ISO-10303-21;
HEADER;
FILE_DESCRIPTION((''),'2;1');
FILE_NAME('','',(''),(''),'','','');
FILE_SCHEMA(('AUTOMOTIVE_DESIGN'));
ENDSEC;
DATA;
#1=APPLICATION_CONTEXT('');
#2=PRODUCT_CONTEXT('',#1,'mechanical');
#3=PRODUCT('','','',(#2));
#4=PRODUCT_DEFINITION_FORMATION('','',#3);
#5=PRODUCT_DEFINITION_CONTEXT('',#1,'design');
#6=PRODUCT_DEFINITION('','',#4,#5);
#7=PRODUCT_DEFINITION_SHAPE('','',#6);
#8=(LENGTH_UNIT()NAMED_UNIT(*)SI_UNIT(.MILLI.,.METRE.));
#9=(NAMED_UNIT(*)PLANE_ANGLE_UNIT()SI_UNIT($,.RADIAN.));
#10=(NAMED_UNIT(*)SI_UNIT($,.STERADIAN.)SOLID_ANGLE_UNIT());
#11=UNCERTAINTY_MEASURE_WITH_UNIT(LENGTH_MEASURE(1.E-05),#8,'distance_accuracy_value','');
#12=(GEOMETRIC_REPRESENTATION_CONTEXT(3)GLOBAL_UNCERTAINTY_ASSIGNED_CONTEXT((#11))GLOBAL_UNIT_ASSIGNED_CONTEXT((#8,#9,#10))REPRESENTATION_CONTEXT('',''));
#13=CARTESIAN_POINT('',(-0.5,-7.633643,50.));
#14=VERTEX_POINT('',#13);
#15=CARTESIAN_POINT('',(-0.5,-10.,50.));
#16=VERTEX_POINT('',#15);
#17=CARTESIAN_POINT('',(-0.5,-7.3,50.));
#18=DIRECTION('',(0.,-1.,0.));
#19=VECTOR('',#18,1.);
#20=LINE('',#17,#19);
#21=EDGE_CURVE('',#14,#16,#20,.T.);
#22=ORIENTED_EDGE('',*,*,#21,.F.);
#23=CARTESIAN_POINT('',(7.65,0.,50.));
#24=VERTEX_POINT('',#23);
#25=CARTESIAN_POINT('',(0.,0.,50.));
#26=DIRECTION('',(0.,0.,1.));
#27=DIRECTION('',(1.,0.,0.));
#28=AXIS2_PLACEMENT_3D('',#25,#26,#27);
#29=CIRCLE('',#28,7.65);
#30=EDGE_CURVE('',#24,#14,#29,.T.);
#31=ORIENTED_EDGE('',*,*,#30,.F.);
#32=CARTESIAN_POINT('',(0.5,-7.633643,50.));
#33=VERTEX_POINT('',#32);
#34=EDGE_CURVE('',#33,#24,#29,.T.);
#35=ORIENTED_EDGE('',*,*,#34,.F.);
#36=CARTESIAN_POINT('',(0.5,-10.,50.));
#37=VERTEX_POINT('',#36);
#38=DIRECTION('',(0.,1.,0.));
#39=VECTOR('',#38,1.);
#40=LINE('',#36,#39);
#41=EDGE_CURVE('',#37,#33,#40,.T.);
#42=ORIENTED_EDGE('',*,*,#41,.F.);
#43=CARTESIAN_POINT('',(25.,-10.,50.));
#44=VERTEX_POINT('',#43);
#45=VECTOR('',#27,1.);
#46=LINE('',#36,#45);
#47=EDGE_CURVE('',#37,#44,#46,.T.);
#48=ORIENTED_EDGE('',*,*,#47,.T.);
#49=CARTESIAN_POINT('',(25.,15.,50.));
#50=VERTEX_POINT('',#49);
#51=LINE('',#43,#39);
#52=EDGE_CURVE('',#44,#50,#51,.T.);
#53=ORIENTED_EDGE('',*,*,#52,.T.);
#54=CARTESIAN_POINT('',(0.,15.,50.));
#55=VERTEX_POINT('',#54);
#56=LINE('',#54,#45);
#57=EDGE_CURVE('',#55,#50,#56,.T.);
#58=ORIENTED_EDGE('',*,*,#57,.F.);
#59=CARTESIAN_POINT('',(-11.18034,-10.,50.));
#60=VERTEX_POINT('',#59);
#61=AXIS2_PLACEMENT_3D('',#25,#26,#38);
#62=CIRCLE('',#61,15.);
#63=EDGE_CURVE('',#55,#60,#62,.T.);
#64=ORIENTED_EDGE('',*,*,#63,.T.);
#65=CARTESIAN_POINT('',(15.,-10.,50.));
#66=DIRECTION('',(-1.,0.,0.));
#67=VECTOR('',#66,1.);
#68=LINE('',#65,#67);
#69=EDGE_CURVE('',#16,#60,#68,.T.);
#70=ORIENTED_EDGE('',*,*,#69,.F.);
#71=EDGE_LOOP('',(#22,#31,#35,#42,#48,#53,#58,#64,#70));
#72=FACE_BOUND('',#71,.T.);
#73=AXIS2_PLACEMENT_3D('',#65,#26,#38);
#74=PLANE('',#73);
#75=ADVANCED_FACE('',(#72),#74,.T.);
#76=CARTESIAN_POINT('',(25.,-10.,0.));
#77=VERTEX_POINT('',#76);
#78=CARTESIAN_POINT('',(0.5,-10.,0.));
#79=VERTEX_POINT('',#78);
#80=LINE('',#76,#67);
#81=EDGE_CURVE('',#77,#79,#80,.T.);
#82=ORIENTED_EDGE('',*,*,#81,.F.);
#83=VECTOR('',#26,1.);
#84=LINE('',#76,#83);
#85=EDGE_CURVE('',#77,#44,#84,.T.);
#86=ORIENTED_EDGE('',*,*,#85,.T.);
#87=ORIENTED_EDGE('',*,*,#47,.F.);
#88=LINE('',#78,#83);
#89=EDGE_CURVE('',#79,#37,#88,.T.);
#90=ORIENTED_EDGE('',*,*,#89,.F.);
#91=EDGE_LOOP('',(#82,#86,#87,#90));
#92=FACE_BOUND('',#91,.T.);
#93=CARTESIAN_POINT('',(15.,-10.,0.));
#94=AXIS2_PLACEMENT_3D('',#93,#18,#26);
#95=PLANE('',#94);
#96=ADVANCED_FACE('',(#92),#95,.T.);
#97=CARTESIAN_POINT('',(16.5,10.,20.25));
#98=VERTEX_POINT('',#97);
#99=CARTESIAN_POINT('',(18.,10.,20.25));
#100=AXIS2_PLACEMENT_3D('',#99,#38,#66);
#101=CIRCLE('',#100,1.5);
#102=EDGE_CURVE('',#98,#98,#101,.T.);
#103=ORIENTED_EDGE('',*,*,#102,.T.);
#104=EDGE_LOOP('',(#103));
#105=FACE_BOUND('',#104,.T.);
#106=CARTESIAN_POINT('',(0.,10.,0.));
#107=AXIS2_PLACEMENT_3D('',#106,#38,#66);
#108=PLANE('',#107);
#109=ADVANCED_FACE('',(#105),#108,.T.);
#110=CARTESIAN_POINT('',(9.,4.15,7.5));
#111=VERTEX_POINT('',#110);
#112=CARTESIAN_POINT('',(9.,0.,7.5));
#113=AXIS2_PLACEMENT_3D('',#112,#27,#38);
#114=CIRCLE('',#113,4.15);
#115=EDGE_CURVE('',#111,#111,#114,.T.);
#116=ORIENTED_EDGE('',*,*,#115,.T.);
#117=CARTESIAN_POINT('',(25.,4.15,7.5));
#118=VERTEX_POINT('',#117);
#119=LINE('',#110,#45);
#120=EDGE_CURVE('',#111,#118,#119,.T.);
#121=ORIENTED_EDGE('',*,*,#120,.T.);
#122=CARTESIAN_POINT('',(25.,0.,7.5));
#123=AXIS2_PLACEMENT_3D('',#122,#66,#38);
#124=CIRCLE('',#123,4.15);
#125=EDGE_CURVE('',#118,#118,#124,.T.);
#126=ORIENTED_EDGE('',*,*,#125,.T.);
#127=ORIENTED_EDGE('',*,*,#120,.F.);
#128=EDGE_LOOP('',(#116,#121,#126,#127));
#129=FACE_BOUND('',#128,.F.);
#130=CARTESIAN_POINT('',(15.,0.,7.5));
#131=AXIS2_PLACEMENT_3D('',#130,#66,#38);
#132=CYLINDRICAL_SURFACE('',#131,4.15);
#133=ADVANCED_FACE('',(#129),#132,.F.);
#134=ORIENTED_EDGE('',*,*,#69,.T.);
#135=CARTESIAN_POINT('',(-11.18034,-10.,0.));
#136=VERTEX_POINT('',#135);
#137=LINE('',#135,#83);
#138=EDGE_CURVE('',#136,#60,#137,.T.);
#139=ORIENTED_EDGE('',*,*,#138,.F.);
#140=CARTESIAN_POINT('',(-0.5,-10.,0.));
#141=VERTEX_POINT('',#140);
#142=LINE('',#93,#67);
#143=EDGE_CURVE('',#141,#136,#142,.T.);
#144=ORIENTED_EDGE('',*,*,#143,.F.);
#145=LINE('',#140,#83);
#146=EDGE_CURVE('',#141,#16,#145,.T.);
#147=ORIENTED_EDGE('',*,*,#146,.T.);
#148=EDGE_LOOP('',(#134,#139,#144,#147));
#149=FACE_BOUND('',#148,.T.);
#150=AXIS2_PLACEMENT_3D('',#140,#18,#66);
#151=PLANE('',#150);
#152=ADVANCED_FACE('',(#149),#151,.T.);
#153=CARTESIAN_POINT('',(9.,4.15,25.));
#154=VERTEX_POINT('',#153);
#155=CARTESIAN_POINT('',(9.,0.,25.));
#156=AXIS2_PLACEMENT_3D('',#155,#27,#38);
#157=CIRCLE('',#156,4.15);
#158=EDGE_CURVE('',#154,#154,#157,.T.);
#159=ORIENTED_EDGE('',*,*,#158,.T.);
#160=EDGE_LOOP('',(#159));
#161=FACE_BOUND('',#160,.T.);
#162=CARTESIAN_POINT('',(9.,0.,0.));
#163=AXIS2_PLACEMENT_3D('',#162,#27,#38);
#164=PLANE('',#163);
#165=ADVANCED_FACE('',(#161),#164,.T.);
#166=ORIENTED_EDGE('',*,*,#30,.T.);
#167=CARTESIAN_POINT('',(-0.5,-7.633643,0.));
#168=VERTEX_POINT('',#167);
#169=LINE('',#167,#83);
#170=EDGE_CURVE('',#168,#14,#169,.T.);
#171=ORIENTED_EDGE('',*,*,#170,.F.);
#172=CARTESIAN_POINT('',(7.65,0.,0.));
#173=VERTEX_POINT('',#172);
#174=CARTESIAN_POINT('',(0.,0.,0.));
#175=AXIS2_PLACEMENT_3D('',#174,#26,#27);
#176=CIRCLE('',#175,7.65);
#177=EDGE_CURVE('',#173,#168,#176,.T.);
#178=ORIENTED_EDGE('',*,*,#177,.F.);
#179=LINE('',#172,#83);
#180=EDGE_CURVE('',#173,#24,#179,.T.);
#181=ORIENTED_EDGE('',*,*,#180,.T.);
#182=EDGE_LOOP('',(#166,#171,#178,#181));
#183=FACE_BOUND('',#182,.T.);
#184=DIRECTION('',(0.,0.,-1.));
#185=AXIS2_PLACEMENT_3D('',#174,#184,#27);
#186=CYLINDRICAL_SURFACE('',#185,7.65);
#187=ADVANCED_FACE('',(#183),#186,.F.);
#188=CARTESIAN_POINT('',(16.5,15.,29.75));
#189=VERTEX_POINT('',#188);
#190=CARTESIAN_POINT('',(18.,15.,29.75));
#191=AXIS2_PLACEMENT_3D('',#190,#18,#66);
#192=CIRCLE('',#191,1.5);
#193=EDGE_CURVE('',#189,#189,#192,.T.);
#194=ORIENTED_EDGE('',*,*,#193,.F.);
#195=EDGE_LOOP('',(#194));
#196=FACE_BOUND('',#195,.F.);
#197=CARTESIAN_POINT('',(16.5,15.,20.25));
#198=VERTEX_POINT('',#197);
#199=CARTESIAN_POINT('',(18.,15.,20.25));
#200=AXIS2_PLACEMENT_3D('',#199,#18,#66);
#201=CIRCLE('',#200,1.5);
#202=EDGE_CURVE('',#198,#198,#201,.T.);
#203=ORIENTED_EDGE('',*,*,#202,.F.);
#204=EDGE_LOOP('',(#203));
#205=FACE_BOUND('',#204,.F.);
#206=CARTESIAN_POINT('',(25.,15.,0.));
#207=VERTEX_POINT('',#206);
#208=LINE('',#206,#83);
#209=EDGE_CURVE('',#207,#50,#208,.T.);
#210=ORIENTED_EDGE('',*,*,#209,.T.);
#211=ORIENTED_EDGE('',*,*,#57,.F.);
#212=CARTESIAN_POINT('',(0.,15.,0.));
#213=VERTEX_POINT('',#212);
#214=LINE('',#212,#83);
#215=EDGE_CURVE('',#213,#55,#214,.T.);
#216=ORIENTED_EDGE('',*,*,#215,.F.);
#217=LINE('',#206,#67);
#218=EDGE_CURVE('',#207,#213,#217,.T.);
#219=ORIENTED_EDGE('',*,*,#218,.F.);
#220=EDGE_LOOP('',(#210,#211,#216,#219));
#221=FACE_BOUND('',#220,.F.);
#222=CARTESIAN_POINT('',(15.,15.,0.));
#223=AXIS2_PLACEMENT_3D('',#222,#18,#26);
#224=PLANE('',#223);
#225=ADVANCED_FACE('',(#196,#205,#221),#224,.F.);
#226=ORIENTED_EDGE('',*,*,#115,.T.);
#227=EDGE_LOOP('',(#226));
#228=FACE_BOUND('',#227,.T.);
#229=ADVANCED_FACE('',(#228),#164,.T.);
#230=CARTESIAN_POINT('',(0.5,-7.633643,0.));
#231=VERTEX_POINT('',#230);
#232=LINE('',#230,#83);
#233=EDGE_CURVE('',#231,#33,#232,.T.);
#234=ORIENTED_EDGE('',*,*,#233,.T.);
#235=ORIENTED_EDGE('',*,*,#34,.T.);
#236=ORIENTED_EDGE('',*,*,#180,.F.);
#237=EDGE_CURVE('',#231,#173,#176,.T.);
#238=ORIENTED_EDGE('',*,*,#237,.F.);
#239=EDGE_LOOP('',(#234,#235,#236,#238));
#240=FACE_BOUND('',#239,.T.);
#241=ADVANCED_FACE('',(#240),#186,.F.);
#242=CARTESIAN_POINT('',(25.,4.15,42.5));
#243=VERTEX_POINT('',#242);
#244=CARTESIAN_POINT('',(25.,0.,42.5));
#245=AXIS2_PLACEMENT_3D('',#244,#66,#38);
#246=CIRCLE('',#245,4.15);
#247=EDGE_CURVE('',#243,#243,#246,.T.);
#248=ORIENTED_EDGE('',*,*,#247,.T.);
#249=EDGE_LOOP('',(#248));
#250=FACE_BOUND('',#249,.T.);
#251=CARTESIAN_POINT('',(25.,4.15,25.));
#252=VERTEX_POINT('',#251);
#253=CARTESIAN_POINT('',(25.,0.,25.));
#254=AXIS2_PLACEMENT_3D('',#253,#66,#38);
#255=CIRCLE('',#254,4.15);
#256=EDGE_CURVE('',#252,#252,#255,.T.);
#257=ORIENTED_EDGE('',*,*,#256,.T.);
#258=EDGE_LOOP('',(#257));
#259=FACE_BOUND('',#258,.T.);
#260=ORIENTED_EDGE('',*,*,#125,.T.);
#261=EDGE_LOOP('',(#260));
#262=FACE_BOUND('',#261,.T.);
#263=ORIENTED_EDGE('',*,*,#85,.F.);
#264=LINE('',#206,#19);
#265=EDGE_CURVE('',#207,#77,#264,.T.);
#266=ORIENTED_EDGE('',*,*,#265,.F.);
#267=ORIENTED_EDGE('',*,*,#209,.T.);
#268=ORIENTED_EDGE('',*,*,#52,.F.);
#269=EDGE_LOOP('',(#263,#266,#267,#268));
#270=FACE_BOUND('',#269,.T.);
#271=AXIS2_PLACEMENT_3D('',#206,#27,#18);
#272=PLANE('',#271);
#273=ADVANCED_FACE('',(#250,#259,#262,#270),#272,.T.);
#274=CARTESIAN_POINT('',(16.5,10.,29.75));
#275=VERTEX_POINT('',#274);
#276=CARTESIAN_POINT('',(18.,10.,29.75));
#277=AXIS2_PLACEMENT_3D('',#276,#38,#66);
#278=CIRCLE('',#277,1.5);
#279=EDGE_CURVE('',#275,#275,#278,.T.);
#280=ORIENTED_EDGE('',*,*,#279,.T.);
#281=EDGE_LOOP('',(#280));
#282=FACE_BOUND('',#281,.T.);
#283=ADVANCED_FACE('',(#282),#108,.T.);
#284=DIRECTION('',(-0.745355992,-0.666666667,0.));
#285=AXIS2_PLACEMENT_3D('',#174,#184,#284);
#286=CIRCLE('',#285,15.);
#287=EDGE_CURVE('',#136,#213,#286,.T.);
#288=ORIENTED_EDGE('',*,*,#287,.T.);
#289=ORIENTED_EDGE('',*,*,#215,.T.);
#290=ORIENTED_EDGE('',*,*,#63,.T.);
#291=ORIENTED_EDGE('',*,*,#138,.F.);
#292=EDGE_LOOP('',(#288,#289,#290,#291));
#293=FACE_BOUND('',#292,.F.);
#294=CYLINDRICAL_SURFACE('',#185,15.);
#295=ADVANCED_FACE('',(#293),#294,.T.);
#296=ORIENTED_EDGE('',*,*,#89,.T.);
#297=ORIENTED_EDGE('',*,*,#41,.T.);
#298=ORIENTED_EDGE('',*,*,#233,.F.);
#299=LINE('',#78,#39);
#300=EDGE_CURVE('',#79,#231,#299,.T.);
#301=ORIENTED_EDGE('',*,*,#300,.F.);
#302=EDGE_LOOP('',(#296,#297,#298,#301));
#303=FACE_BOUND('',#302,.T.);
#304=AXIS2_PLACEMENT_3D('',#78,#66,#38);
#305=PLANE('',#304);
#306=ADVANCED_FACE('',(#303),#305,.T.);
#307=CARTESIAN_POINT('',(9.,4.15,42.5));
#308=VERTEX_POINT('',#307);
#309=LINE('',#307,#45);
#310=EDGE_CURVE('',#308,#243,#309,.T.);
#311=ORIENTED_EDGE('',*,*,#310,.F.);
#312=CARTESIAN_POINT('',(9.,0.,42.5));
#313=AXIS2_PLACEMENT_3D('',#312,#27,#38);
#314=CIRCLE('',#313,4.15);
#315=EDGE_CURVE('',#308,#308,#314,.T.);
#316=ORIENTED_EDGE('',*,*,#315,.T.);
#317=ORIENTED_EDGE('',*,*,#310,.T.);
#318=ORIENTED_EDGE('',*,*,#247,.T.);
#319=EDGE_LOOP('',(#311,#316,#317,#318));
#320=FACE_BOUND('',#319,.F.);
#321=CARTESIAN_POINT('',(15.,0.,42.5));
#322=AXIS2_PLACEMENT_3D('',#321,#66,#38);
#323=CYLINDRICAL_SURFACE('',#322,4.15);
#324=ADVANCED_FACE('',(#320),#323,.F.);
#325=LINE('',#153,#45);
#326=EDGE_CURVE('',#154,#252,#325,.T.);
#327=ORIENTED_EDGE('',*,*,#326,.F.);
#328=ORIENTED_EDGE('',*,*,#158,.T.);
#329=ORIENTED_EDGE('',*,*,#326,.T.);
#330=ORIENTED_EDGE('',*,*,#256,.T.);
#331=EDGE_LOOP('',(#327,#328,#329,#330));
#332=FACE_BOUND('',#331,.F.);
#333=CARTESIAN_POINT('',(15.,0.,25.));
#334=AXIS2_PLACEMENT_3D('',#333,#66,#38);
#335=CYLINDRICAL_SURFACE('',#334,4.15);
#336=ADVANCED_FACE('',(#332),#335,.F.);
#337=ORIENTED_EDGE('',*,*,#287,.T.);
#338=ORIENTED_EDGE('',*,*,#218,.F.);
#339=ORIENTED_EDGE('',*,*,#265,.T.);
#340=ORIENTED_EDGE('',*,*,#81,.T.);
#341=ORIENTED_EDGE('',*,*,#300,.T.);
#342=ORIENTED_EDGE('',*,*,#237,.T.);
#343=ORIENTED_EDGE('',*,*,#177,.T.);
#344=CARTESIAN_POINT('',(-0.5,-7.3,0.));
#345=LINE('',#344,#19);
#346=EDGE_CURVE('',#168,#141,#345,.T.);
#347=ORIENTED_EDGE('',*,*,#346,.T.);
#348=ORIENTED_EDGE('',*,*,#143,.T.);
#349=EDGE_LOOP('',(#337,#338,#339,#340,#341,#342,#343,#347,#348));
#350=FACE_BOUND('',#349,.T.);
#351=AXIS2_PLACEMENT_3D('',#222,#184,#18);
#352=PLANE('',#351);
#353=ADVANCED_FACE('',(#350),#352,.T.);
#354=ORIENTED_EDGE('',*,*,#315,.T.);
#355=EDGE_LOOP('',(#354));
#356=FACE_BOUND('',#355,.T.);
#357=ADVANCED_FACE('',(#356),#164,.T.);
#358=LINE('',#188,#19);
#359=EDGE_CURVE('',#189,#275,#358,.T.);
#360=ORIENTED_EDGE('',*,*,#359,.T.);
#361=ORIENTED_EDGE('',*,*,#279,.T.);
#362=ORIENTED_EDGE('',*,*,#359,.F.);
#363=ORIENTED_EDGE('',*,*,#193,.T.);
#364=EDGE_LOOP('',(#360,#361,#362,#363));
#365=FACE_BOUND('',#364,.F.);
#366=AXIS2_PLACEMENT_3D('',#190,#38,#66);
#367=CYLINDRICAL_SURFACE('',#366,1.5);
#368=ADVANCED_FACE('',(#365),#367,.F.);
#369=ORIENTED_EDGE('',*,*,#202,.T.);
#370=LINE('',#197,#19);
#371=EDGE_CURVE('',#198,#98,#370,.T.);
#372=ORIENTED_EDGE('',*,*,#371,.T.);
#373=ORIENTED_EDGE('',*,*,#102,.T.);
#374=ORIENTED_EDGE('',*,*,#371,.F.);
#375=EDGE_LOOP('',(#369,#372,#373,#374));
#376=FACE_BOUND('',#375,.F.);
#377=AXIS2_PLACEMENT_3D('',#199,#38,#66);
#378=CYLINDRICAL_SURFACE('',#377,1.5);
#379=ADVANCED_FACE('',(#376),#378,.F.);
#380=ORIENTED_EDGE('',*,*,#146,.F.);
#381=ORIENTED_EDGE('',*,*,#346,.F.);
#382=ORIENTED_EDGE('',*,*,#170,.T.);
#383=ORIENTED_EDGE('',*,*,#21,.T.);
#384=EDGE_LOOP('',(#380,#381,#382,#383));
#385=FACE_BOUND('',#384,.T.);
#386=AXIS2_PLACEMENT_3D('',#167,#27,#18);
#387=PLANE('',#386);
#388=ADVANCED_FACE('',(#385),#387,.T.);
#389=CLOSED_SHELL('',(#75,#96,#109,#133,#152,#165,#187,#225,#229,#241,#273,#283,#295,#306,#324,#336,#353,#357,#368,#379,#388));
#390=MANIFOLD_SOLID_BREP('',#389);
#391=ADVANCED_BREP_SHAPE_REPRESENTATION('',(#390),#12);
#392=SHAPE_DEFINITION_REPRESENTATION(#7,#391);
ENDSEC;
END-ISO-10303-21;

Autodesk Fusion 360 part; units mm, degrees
sketch "Skizze1" plane through (0, 0, 0) normal (0, 0, 1) x (1, 0, 0)
  circle A0 centre (0, 0) radius 7.65
  line L0 (15, -10) -> (-15, -10)
  line L1 (-15, -10) -> (-15, 15)
  line L2 (-15, 15) -> (15, 15)
  line L3 (15, 15) -> (15, -10)
  line L4 (0, 0) -> (0, -10)
  line L5 (0, -10) -> (-0.5, -10)
  line L6 (-0.5, -10) -> (0.5, -10)
  line L7 (0.5, -10) -> (0.5, -7.3)
  line L8 (0.5, -7.3) -> (-0.5, -7.3)
  line L9 (-0.5, -7.3) -> (-0.5, -10)
  circle A1 centre (0, 0) radius 15
  dimension "d1" = 15.3
  dimension "d4" = 15
  dimension "d5" = 10
  dimension "d6" = 15
  dimension "d7" = 25
extrude "Extrusion1" add sketch "Skizze1" along normal blind 50 contours A0 L0 L7 L9 A1 | L0 L3 A1 | L2 L3 A1
sketch "Skizze2" plane through (15, 0, 0) normal (1, 0, 0) x (0, 1, 0)
  line L0 (-10, 0) -> (15, 0)
  line L1 (15, 0) -> (15, 50)
  line L2 (15, 50) -> (-10, 50)
  line L3 (-10, 50) -> (-10, 0)
  line L4 (-10, 25) -> (15, 25)
  circle A0 centre (0, 25) radius 4.15
  line L5 (0, 25) -> (0, 42.5)
  line L6 (0, 25) -> (0, 7.5)
  circle A1 centre (0, 42.5) radius 4.15
  circle A2 centre (0, 7.5) radius 4.15
  dimension "d10" = 8.3
  dimension "d11" = 10
  dimension "d22" = 17.5
  dimension "d23" = 8.3
  dimension "d24" = 8.3
  dimension "d25" = 17.5
extrude "Extrusion2" cut sketch "Skizze2" against normal blind 6 contours A2 | A1 | L4 A0 L5 | L4 A0 L6 | L4 A0 L6 | L4 A0 L5
extrude "Extrusion4" add 1 faces at (15, 11.3833, 25) along direction (1, 0, 0) blind 10
sketch "Skizze3" plane through (0, 15, 0) normal (0, 1, 0) x (-1, 0, 0)
  line L0 (-25, 0) -> (0, 0)
  line L1 (0, 50) -> (-25, 50)
  line L2 (-25, 25) -> (-18, 25)
  line L3 (-18, 25) -> (-18, 20.25)
  line L4 (-18, 25) -> (-18, 29.75)
  circle A0 centre (-18, 29.75) radius 1.5
  circle A1 centre (-18, 20.25) radius 1.5
  line L5 (0, 0) -> (0, 50)
  line L6 (-25, 50) -> (-25, 0)
  dimension "d15" = 7
  dimension "d16" = 4.75
  dimension "d17" = 4.75
  dimension "d18" = 3
  dimension "d19" = 3
extrude "Extrusion3" cut sketch "Skizze3" against normal blind 5 contours A0 | A1
